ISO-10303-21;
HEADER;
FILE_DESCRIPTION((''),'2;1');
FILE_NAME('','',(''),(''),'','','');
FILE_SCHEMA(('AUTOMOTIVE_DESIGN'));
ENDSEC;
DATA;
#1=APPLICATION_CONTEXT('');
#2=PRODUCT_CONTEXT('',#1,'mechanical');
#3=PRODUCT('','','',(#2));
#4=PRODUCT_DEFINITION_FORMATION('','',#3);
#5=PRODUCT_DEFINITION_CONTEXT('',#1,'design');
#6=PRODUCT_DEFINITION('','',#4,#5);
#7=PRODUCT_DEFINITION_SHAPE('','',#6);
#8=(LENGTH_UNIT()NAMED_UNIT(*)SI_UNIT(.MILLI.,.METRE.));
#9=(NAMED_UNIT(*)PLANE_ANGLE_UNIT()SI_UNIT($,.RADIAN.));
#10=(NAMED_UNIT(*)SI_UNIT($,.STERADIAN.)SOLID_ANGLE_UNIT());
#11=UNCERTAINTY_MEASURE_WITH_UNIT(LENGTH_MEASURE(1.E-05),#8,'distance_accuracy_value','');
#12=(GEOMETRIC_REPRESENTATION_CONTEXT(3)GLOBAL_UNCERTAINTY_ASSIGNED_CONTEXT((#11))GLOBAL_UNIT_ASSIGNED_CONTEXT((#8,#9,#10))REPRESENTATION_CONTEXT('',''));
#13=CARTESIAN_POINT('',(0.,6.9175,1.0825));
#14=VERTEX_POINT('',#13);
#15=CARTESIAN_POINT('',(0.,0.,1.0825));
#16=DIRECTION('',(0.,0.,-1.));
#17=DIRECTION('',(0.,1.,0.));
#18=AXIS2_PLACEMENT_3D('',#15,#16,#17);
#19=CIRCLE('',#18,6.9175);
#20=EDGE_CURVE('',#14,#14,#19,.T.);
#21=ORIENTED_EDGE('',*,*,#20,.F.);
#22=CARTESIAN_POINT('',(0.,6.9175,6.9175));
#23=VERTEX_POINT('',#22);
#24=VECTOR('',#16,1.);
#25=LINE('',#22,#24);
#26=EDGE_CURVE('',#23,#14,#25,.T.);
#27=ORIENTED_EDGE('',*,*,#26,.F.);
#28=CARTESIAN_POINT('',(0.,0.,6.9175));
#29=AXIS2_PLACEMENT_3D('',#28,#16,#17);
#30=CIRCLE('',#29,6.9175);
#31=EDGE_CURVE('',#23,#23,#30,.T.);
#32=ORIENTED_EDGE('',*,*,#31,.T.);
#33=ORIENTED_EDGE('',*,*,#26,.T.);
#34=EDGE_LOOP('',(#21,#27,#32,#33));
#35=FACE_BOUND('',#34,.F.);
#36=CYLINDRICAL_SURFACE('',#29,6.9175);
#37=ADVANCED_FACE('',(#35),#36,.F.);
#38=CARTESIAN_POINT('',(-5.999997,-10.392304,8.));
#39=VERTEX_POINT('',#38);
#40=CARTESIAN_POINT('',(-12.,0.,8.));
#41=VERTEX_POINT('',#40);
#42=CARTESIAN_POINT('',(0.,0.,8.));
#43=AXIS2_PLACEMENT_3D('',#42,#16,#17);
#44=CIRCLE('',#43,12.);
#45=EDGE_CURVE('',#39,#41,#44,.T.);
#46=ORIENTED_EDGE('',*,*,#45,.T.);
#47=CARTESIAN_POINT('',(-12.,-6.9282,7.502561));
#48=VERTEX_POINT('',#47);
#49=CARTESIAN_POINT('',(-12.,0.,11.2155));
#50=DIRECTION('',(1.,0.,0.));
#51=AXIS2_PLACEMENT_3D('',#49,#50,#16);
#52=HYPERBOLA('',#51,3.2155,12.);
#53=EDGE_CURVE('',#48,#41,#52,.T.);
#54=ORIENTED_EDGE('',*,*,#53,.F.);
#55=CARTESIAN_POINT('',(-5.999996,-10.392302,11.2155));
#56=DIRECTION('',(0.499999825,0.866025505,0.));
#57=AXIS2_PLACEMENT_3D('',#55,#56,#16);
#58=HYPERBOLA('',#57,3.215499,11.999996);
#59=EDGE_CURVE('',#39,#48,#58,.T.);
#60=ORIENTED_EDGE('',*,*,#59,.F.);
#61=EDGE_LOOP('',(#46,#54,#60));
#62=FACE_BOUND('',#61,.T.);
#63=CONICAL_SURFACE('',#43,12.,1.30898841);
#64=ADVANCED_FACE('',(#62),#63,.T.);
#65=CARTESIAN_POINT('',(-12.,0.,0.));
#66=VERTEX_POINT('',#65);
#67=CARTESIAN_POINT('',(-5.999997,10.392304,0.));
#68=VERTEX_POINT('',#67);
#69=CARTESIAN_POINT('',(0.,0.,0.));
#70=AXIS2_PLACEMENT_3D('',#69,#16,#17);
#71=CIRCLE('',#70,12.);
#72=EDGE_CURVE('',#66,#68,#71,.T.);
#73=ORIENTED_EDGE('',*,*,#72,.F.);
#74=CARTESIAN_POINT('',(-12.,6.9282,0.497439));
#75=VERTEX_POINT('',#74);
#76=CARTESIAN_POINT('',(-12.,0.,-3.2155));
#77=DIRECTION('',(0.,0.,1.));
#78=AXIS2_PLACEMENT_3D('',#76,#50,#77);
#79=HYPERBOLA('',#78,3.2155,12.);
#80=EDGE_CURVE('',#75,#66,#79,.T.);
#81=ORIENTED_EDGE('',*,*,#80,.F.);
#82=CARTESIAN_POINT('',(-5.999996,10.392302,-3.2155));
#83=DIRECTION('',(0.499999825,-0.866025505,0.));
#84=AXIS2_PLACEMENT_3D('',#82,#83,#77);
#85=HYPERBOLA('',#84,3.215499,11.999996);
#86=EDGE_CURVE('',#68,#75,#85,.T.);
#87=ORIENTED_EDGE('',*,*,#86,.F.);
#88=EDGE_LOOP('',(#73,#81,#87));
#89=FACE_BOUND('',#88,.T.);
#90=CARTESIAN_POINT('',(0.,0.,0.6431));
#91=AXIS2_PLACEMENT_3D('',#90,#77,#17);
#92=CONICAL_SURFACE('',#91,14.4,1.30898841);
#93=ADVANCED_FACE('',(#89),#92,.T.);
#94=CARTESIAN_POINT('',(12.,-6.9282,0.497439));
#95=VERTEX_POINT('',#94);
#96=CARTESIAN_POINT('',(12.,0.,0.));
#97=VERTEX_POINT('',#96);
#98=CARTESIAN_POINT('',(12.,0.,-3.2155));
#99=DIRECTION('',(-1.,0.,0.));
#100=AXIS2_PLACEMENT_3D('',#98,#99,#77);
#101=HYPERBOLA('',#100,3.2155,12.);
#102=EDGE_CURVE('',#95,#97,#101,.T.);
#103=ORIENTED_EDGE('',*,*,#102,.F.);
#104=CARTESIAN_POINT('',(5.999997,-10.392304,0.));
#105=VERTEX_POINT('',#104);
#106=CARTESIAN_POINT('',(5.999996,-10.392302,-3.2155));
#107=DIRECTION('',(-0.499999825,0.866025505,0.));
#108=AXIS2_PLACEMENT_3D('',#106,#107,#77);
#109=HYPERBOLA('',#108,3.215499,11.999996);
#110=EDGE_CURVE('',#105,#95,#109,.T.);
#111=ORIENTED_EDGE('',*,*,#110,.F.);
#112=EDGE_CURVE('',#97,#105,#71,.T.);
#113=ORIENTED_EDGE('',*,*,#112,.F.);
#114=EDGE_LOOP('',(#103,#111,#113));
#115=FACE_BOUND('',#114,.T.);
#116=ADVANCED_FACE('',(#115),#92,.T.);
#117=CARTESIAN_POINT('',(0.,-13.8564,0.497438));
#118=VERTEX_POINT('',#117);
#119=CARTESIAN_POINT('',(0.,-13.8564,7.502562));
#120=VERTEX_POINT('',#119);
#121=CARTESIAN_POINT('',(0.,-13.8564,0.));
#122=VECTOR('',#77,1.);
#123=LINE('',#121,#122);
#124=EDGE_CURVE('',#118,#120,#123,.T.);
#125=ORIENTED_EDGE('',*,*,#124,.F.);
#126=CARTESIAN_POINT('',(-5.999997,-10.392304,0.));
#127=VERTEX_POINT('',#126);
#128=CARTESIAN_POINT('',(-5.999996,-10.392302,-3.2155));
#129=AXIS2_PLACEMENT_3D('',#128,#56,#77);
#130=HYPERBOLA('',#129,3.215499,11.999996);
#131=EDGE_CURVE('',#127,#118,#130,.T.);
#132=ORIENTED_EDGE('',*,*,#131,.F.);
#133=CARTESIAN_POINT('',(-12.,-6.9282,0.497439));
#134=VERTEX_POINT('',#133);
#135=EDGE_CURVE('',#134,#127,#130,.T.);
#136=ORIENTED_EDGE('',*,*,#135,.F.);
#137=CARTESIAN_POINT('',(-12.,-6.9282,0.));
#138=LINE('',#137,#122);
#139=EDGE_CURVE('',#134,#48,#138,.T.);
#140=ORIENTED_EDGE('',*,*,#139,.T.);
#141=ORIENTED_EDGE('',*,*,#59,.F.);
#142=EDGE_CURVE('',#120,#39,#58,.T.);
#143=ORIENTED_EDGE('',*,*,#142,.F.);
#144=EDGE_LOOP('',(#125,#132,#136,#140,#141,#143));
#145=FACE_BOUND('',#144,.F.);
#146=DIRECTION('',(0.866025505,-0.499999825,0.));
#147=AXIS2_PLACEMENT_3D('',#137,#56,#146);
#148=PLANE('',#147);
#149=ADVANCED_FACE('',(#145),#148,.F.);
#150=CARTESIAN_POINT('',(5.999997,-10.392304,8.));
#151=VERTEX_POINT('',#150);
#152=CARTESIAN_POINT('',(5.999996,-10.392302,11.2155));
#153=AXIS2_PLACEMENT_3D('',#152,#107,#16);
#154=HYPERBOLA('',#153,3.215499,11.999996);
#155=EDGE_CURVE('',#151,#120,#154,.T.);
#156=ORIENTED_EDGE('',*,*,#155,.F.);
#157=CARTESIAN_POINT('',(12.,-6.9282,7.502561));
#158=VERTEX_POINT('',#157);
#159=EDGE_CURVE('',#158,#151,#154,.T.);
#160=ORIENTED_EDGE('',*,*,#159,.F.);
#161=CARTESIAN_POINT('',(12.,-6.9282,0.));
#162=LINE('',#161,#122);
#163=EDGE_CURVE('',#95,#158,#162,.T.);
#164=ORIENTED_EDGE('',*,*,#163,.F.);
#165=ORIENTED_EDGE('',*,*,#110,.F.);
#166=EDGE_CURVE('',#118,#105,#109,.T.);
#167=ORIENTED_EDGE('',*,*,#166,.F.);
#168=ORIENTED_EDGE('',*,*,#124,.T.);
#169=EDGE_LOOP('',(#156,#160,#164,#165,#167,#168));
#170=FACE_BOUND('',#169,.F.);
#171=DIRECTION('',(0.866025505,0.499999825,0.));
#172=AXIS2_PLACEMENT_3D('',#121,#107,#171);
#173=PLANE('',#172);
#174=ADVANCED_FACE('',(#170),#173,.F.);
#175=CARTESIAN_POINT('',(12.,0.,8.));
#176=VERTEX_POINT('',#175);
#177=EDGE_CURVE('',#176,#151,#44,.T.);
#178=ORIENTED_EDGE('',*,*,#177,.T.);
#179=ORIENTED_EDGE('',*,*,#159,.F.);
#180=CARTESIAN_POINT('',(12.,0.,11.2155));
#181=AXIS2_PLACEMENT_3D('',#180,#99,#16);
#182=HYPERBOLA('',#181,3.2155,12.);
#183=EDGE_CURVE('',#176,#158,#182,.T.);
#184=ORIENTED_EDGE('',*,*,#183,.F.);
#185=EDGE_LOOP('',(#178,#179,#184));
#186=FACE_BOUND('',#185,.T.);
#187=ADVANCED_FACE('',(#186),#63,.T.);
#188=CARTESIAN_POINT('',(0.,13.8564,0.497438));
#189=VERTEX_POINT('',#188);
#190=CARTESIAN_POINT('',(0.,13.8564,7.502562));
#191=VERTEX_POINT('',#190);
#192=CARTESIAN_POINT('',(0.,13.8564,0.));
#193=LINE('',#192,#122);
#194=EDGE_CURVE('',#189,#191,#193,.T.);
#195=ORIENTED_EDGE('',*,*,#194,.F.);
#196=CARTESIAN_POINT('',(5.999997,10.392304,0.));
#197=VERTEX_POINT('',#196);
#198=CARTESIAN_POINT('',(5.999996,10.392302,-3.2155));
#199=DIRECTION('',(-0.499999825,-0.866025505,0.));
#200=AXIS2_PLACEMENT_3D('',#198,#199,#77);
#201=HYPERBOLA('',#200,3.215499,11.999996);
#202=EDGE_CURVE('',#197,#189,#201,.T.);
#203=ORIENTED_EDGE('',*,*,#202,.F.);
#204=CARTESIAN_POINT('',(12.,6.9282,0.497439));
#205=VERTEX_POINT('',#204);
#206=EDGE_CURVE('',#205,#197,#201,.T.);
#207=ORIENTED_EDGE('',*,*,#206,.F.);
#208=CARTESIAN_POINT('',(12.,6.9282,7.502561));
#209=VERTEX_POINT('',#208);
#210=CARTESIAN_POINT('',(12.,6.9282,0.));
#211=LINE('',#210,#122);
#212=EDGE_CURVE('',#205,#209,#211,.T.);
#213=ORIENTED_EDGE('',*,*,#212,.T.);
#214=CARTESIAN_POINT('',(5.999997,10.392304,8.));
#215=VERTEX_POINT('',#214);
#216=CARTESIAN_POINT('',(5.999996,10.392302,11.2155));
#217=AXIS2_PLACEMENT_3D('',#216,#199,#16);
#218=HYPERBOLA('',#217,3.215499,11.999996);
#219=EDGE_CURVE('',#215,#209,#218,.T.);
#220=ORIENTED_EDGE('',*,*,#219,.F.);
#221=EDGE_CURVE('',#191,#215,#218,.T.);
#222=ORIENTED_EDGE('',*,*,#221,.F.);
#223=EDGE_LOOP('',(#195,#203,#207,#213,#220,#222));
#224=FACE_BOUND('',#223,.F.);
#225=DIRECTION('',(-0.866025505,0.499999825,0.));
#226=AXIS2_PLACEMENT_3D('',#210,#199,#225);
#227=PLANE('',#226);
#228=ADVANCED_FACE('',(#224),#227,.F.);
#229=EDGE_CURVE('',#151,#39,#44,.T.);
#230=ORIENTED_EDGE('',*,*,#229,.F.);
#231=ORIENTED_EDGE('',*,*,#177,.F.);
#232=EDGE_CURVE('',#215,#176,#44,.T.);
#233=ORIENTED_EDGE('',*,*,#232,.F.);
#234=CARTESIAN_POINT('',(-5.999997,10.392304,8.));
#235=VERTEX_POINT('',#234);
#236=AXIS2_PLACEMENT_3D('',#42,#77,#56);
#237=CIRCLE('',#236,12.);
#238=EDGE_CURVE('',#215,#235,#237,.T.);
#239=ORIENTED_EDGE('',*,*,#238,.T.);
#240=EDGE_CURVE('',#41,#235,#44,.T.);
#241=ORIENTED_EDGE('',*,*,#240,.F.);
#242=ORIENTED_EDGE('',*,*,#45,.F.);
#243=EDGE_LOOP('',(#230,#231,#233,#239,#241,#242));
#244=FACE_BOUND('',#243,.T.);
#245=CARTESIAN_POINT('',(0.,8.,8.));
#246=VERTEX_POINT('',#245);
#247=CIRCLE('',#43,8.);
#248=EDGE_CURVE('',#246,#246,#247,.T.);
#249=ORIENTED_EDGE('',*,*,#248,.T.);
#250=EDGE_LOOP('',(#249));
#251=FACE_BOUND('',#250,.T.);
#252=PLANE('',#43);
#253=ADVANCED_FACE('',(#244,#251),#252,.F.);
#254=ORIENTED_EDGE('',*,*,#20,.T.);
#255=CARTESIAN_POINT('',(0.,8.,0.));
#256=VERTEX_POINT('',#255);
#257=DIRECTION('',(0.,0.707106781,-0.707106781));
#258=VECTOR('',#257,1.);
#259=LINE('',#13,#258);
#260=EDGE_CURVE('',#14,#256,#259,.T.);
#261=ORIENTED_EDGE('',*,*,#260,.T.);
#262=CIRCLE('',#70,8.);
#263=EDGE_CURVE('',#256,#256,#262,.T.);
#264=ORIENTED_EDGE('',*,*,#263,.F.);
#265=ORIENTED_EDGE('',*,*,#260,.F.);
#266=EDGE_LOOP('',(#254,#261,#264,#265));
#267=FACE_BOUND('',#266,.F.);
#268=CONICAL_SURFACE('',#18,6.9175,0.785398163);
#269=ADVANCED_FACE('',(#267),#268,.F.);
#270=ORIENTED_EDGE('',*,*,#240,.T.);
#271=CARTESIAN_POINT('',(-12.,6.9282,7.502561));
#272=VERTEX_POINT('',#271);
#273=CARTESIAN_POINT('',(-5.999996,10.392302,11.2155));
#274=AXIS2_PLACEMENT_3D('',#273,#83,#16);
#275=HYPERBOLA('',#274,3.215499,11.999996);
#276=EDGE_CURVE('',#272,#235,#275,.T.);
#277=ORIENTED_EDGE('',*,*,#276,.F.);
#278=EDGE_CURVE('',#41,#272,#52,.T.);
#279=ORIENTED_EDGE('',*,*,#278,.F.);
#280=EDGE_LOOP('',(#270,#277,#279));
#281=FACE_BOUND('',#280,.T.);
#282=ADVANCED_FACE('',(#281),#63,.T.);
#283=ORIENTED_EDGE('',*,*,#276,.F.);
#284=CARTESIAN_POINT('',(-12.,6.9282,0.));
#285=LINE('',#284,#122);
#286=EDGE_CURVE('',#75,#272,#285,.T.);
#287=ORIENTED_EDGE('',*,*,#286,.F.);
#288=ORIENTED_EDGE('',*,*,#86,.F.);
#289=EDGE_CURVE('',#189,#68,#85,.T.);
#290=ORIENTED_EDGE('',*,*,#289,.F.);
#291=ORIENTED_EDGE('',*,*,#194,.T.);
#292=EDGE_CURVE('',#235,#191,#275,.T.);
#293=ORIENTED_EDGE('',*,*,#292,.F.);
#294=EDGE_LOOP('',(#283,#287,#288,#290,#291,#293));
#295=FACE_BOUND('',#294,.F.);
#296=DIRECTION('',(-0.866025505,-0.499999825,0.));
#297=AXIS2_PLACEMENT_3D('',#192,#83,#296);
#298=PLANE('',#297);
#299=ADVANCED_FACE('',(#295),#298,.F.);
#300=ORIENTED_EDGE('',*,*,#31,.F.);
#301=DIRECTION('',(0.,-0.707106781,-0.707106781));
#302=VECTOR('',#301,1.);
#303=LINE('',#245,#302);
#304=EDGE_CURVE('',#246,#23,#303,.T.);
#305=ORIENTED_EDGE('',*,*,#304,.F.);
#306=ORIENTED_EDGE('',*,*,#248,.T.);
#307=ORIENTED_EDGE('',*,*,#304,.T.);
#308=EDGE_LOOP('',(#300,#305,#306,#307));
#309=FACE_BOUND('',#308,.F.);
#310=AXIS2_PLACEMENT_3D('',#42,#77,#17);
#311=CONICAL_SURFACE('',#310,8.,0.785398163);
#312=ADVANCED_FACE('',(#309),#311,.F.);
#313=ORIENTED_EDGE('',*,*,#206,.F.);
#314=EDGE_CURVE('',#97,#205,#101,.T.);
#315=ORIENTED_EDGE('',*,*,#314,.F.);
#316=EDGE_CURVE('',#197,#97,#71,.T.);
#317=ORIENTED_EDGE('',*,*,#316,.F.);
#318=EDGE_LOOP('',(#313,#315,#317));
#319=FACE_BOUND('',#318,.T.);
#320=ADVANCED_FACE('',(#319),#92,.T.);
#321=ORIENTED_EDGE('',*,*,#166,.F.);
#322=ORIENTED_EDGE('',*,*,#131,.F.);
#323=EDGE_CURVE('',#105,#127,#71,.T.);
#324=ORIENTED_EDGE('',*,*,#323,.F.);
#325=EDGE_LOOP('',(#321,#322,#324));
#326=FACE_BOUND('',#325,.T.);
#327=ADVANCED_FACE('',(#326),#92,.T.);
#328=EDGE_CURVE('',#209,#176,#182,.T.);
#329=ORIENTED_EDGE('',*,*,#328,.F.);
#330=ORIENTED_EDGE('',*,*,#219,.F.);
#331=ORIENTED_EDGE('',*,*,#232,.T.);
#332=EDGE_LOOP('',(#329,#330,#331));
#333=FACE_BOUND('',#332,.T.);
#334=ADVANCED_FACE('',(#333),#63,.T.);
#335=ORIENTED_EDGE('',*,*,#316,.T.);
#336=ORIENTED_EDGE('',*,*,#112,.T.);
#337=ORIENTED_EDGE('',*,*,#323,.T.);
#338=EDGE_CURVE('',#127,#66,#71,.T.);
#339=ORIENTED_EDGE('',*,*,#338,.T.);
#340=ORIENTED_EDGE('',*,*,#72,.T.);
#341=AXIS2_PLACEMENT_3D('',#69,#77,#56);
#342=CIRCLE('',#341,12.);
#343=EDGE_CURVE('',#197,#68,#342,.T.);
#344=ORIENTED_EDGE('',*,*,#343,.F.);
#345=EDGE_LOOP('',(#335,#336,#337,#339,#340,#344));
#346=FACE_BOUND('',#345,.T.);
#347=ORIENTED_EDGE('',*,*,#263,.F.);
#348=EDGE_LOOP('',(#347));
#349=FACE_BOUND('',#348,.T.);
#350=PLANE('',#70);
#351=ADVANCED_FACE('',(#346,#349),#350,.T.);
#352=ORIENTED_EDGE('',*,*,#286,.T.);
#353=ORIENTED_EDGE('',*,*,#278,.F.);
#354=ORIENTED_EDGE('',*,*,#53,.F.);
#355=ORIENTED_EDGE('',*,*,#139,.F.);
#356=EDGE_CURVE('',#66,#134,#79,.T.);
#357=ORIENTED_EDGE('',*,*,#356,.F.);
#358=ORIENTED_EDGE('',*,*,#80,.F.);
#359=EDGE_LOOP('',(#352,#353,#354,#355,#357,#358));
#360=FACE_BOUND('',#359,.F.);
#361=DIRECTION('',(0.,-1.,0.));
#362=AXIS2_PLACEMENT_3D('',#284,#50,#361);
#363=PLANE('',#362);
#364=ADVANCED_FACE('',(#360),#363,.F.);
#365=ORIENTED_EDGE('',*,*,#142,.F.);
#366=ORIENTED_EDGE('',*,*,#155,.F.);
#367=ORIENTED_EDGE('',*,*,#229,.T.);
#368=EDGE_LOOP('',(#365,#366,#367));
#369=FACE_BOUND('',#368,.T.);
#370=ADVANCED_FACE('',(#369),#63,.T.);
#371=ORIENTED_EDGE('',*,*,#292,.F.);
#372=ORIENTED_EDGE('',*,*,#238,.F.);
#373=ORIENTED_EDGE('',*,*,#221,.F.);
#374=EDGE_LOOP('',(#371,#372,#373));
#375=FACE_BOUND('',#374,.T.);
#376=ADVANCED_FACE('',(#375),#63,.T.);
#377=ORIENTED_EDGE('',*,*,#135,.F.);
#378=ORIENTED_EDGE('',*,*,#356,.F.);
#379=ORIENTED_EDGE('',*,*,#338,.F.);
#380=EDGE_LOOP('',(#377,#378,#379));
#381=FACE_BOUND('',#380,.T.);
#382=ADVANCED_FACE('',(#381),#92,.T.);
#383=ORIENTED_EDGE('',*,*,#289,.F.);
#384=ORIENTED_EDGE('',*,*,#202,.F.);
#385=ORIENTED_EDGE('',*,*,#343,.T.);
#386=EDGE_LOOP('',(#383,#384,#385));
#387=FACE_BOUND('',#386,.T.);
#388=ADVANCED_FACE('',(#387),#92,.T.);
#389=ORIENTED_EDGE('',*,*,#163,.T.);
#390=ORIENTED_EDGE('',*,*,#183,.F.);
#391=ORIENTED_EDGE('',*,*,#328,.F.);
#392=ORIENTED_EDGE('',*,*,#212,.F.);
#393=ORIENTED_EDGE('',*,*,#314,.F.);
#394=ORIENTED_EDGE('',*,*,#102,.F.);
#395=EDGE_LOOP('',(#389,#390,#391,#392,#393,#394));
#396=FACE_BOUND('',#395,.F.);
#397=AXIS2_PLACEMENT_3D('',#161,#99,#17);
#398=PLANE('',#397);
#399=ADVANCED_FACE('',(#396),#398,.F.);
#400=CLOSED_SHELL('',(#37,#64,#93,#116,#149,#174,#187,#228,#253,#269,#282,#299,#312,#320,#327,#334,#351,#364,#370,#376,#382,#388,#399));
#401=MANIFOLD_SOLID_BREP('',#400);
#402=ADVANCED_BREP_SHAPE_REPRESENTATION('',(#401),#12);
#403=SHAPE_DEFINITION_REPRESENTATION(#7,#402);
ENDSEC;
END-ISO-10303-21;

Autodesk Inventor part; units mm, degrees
sketch "Sketch_3" plane through (0, 0, 0) normal (1, 0, 0) x (0, 0, -1)
  line L0 (0, 0) -> (-8, 0)
  line L1 (-8, 0) -> (-8, 12)
  line L2 (-8, 12) -> (-7.3569, 14.4)
  line L3 (-7.3569, 14.4) -> (-0.6431, 14.4)
  line L4 (-0.6431, 14.4) -> (0, 12)
  line L5 (0, 12) -> (0, 0)
  line L6 (0, 0) -> (-8, 0)
revolve "Revolution1" add sketch "Sketch_3" angle 360 about axis through (0, 0, 0) along (0, 0, -1)
sketch "Sketch_2" plane through (0, 0, 0) normal (1, 0, 0) x (0, 0, -1)
  line L0 (0, 0) -> (-8, 0)
  line L1 (-8, 0) -> (-8, 8)
  line L2 (-8, 8) -> (-6.9175, 6.9175)
  line L3 (-6.9175, 6.9175) -> (-1.0825, 6.9175)
  line L4 (-1.0825, 6.9175) -> (0, 8)
  line L5 (0, 8) -> (0, 0)
  line L6 (0, 0) -> (-8, 0)
revolve "Revolution2" cut sketch "Sketch_2" angle 360 about axis through (0, 0, 0) along (0, 0, -1)
thread "Thread1" size "M16x2" class "6H" standard "ISO Metric profile" full length
sketch "Sketch_1" plane through (0, 0, 0) normal (0, 0, 1) x (1, 0, 0)
  line L0 (-24, -24) -> (24, -24)
  line L1 (24, -24) -> (24, 24)
  line L2 (24, 24) -> (-24, 24)
  line L3 (-24, 24) -> (-24, -24)
  line L4 (-12, -6.9282) -> (0, -13.8564)
  line L5 (0, -13.8564) -> (12, -6.9282)
  line L6 (12, -6.9282) -> (12, 6.9282)
  line L7 (12, 6.9282) -> (0, 13.8564)
  line L8 (0, 13.8564) -> (-12, 6.9282)
  line L9 (-12, 6.9282) -> (-12, -6.9282)
extrude "Extrusion1" cut sketch "Sketch_1" along normal blind 8
ref_plane "MUTTER_XY" through (0, 0, 0) normal (0, 0, 1) x (1, 0, 0)
ref_plane "MUTTER_YZ" through (0, 0, 0) normal (1, 0, 0) x (0, 1, 0)
ref_plane "MUTTER_ZX" through (0, 0, 0) normal (0, 1, 0) x (0, 0, 1)
properties part number "SLZ_63_Mutter_M16#"
